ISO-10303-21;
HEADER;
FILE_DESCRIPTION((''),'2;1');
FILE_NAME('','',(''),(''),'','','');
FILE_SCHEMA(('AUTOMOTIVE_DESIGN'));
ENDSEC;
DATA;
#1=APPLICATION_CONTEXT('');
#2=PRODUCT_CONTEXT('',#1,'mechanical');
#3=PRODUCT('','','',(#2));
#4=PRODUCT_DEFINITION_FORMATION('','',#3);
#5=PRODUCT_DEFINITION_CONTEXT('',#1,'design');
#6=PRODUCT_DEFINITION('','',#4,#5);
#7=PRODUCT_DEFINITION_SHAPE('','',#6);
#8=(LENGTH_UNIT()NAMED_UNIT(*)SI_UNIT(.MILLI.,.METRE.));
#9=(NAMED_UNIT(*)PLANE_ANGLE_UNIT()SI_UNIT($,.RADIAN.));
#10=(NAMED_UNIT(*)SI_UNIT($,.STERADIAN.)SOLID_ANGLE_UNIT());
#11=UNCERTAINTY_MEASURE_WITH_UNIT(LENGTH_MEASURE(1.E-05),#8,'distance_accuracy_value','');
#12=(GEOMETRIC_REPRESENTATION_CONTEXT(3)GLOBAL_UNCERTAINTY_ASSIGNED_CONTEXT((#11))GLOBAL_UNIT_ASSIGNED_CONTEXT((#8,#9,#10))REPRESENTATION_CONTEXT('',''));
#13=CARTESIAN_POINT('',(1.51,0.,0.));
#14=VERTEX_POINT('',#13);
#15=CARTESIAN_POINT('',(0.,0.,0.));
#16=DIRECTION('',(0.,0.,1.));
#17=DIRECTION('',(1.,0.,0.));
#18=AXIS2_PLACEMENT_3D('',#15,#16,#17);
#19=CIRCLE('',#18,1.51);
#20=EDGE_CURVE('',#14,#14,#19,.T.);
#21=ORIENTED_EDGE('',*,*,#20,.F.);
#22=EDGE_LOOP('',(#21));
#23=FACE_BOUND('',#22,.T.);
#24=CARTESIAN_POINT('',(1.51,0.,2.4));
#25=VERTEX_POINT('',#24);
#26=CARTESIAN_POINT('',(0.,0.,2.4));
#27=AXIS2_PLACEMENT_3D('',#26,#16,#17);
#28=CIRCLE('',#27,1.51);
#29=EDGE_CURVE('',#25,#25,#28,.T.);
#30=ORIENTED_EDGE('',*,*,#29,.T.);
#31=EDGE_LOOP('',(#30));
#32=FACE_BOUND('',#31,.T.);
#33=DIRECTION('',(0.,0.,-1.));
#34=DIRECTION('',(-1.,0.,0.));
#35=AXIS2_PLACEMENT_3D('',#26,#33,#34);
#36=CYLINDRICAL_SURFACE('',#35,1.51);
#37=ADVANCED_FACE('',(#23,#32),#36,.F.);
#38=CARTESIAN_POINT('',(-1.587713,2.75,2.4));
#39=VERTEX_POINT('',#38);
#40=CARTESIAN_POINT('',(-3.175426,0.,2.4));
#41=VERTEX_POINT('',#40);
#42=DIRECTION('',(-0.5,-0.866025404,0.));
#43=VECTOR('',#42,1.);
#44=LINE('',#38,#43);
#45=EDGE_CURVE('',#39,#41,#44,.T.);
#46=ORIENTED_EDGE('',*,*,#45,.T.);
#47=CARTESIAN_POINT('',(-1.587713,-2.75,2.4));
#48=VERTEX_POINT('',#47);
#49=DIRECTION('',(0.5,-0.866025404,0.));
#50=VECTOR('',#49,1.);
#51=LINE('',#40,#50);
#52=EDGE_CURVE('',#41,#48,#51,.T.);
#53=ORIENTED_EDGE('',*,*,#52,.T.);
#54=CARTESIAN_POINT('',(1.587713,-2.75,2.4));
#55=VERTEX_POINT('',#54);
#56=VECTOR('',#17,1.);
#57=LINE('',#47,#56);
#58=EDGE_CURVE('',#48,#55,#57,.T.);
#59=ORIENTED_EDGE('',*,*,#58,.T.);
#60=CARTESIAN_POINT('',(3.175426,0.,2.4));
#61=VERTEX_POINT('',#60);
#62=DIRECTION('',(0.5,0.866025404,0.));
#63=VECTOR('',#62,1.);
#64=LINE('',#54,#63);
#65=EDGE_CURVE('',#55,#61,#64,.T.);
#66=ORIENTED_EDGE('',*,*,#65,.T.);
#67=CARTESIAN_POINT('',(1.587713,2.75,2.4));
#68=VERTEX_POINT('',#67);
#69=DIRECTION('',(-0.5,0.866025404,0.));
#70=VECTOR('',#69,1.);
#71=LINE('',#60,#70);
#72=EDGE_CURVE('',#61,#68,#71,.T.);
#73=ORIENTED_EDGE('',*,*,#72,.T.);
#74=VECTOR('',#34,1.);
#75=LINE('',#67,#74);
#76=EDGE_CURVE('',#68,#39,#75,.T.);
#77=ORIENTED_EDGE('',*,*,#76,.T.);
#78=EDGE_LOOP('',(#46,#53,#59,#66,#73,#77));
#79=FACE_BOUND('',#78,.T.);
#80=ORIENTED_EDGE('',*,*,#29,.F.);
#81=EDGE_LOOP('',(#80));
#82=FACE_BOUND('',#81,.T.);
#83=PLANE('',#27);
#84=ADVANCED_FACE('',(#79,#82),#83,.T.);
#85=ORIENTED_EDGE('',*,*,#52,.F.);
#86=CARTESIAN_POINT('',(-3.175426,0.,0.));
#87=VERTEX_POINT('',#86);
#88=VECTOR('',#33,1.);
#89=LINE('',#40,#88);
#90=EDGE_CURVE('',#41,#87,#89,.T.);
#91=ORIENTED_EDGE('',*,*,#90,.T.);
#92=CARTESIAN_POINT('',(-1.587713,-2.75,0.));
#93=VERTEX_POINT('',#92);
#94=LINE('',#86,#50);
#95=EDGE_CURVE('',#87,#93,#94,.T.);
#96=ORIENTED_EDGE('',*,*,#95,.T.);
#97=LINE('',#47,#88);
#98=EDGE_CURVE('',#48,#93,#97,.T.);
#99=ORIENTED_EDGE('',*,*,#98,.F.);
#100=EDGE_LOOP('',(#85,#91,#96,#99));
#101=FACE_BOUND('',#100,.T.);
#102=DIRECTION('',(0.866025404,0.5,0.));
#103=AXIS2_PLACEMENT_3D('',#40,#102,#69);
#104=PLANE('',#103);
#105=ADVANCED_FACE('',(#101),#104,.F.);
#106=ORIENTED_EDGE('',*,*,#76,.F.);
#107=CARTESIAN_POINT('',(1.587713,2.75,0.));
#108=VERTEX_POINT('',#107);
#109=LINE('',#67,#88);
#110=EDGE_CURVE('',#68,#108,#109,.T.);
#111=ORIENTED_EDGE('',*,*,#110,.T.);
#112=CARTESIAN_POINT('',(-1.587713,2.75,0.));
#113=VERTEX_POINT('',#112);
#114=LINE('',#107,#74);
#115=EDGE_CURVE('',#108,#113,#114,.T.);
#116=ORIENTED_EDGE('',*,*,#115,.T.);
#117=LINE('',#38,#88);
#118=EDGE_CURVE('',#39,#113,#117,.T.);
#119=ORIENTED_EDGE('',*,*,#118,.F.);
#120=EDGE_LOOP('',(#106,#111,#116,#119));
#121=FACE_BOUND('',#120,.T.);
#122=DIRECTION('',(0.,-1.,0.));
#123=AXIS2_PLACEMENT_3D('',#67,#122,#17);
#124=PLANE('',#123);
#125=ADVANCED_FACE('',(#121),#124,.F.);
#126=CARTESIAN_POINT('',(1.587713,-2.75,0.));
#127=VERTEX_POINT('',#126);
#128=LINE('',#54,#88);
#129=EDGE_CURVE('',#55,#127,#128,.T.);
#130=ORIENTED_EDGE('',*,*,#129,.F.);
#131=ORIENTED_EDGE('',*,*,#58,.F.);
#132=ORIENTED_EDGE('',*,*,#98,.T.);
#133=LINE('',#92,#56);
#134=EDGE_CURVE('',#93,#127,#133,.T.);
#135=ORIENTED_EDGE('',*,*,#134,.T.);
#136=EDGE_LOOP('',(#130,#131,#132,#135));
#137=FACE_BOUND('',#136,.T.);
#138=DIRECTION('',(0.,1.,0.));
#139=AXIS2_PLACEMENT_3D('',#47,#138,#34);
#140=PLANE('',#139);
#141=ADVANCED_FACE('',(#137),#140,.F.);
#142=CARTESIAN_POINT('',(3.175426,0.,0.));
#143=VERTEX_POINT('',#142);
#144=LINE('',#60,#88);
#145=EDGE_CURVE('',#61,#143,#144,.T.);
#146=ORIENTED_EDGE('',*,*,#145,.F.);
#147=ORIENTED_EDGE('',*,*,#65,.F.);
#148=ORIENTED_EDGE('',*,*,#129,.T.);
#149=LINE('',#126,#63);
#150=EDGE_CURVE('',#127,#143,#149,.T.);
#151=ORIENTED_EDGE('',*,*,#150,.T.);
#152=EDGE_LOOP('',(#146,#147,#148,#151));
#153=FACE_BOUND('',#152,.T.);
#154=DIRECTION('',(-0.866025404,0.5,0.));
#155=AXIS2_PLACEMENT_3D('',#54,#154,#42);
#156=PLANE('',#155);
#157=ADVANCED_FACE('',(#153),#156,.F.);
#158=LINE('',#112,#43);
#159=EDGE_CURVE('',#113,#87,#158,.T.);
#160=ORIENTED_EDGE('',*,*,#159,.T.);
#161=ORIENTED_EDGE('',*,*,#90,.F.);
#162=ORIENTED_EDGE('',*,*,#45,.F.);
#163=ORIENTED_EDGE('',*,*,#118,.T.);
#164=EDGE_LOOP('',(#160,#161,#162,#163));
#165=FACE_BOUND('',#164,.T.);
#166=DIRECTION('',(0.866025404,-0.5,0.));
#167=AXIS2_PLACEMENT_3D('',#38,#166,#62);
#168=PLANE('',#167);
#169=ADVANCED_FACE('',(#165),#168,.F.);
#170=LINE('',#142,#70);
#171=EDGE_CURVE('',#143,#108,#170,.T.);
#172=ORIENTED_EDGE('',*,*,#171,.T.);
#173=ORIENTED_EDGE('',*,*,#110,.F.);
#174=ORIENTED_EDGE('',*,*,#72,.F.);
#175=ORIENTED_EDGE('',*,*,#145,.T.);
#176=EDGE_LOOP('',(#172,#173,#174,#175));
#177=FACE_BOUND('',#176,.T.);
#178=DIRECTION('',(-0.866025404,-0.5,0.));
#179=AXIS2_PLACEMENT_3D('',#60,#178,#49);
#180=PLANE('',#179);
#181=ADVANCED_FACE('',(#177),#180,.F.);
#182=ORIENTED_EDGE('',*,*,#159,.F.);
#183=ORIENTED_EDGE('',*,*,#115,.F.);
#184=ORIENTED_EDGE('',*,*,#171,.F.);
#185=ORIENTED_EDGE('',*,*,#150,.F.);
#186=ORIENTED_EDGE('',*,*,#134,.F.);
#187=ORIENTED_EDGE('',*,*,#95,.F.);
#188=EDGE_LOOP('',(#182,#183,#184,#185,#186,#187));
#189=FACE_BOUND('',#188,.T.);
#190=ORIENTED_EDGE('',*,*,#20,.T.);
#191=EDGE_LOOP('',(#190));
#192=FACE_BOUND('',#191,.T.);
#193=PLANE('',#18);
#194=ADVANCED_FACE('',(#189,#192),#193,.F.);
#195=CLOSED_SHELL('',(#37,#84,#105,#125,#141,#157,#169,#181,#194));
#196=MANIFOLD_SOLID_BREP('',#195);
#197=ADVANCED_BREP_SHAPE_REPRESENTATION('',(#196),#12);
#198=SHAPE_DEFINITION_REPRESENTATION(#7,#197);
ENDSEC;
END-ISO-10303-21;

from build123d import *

# Parameters (mm, degrees)
ISO4032_M3_AF5P5_H2P4_SKETCH_R = 1.51
ISO4032_M3_AF5P5_H2P4_DEPTH    = 2.4


with BuildPart() as part:
    # ISO4032_M3_AF5p5_h2p4_Sketch → ISO4032_M3_AF5p5_h2p4 (new body)
    with BuildSketch(Plane.XY):
        Polygon((3.175426481, 0), (1.58771324, 2.75), (-1.58771324, 2.75), (-3.175426481, 0), (-1.58771324, -2.75), (1.58771324, -2.75), align=None)
        Circle(ISO4032_M3_AF5P5_H2P4_SKETCH_R, mode=Mode.SUBTRACT)
    extrude(amount=ISO4032_M3_AF5P5_H2P4_DEPTH)


solid = part.part
